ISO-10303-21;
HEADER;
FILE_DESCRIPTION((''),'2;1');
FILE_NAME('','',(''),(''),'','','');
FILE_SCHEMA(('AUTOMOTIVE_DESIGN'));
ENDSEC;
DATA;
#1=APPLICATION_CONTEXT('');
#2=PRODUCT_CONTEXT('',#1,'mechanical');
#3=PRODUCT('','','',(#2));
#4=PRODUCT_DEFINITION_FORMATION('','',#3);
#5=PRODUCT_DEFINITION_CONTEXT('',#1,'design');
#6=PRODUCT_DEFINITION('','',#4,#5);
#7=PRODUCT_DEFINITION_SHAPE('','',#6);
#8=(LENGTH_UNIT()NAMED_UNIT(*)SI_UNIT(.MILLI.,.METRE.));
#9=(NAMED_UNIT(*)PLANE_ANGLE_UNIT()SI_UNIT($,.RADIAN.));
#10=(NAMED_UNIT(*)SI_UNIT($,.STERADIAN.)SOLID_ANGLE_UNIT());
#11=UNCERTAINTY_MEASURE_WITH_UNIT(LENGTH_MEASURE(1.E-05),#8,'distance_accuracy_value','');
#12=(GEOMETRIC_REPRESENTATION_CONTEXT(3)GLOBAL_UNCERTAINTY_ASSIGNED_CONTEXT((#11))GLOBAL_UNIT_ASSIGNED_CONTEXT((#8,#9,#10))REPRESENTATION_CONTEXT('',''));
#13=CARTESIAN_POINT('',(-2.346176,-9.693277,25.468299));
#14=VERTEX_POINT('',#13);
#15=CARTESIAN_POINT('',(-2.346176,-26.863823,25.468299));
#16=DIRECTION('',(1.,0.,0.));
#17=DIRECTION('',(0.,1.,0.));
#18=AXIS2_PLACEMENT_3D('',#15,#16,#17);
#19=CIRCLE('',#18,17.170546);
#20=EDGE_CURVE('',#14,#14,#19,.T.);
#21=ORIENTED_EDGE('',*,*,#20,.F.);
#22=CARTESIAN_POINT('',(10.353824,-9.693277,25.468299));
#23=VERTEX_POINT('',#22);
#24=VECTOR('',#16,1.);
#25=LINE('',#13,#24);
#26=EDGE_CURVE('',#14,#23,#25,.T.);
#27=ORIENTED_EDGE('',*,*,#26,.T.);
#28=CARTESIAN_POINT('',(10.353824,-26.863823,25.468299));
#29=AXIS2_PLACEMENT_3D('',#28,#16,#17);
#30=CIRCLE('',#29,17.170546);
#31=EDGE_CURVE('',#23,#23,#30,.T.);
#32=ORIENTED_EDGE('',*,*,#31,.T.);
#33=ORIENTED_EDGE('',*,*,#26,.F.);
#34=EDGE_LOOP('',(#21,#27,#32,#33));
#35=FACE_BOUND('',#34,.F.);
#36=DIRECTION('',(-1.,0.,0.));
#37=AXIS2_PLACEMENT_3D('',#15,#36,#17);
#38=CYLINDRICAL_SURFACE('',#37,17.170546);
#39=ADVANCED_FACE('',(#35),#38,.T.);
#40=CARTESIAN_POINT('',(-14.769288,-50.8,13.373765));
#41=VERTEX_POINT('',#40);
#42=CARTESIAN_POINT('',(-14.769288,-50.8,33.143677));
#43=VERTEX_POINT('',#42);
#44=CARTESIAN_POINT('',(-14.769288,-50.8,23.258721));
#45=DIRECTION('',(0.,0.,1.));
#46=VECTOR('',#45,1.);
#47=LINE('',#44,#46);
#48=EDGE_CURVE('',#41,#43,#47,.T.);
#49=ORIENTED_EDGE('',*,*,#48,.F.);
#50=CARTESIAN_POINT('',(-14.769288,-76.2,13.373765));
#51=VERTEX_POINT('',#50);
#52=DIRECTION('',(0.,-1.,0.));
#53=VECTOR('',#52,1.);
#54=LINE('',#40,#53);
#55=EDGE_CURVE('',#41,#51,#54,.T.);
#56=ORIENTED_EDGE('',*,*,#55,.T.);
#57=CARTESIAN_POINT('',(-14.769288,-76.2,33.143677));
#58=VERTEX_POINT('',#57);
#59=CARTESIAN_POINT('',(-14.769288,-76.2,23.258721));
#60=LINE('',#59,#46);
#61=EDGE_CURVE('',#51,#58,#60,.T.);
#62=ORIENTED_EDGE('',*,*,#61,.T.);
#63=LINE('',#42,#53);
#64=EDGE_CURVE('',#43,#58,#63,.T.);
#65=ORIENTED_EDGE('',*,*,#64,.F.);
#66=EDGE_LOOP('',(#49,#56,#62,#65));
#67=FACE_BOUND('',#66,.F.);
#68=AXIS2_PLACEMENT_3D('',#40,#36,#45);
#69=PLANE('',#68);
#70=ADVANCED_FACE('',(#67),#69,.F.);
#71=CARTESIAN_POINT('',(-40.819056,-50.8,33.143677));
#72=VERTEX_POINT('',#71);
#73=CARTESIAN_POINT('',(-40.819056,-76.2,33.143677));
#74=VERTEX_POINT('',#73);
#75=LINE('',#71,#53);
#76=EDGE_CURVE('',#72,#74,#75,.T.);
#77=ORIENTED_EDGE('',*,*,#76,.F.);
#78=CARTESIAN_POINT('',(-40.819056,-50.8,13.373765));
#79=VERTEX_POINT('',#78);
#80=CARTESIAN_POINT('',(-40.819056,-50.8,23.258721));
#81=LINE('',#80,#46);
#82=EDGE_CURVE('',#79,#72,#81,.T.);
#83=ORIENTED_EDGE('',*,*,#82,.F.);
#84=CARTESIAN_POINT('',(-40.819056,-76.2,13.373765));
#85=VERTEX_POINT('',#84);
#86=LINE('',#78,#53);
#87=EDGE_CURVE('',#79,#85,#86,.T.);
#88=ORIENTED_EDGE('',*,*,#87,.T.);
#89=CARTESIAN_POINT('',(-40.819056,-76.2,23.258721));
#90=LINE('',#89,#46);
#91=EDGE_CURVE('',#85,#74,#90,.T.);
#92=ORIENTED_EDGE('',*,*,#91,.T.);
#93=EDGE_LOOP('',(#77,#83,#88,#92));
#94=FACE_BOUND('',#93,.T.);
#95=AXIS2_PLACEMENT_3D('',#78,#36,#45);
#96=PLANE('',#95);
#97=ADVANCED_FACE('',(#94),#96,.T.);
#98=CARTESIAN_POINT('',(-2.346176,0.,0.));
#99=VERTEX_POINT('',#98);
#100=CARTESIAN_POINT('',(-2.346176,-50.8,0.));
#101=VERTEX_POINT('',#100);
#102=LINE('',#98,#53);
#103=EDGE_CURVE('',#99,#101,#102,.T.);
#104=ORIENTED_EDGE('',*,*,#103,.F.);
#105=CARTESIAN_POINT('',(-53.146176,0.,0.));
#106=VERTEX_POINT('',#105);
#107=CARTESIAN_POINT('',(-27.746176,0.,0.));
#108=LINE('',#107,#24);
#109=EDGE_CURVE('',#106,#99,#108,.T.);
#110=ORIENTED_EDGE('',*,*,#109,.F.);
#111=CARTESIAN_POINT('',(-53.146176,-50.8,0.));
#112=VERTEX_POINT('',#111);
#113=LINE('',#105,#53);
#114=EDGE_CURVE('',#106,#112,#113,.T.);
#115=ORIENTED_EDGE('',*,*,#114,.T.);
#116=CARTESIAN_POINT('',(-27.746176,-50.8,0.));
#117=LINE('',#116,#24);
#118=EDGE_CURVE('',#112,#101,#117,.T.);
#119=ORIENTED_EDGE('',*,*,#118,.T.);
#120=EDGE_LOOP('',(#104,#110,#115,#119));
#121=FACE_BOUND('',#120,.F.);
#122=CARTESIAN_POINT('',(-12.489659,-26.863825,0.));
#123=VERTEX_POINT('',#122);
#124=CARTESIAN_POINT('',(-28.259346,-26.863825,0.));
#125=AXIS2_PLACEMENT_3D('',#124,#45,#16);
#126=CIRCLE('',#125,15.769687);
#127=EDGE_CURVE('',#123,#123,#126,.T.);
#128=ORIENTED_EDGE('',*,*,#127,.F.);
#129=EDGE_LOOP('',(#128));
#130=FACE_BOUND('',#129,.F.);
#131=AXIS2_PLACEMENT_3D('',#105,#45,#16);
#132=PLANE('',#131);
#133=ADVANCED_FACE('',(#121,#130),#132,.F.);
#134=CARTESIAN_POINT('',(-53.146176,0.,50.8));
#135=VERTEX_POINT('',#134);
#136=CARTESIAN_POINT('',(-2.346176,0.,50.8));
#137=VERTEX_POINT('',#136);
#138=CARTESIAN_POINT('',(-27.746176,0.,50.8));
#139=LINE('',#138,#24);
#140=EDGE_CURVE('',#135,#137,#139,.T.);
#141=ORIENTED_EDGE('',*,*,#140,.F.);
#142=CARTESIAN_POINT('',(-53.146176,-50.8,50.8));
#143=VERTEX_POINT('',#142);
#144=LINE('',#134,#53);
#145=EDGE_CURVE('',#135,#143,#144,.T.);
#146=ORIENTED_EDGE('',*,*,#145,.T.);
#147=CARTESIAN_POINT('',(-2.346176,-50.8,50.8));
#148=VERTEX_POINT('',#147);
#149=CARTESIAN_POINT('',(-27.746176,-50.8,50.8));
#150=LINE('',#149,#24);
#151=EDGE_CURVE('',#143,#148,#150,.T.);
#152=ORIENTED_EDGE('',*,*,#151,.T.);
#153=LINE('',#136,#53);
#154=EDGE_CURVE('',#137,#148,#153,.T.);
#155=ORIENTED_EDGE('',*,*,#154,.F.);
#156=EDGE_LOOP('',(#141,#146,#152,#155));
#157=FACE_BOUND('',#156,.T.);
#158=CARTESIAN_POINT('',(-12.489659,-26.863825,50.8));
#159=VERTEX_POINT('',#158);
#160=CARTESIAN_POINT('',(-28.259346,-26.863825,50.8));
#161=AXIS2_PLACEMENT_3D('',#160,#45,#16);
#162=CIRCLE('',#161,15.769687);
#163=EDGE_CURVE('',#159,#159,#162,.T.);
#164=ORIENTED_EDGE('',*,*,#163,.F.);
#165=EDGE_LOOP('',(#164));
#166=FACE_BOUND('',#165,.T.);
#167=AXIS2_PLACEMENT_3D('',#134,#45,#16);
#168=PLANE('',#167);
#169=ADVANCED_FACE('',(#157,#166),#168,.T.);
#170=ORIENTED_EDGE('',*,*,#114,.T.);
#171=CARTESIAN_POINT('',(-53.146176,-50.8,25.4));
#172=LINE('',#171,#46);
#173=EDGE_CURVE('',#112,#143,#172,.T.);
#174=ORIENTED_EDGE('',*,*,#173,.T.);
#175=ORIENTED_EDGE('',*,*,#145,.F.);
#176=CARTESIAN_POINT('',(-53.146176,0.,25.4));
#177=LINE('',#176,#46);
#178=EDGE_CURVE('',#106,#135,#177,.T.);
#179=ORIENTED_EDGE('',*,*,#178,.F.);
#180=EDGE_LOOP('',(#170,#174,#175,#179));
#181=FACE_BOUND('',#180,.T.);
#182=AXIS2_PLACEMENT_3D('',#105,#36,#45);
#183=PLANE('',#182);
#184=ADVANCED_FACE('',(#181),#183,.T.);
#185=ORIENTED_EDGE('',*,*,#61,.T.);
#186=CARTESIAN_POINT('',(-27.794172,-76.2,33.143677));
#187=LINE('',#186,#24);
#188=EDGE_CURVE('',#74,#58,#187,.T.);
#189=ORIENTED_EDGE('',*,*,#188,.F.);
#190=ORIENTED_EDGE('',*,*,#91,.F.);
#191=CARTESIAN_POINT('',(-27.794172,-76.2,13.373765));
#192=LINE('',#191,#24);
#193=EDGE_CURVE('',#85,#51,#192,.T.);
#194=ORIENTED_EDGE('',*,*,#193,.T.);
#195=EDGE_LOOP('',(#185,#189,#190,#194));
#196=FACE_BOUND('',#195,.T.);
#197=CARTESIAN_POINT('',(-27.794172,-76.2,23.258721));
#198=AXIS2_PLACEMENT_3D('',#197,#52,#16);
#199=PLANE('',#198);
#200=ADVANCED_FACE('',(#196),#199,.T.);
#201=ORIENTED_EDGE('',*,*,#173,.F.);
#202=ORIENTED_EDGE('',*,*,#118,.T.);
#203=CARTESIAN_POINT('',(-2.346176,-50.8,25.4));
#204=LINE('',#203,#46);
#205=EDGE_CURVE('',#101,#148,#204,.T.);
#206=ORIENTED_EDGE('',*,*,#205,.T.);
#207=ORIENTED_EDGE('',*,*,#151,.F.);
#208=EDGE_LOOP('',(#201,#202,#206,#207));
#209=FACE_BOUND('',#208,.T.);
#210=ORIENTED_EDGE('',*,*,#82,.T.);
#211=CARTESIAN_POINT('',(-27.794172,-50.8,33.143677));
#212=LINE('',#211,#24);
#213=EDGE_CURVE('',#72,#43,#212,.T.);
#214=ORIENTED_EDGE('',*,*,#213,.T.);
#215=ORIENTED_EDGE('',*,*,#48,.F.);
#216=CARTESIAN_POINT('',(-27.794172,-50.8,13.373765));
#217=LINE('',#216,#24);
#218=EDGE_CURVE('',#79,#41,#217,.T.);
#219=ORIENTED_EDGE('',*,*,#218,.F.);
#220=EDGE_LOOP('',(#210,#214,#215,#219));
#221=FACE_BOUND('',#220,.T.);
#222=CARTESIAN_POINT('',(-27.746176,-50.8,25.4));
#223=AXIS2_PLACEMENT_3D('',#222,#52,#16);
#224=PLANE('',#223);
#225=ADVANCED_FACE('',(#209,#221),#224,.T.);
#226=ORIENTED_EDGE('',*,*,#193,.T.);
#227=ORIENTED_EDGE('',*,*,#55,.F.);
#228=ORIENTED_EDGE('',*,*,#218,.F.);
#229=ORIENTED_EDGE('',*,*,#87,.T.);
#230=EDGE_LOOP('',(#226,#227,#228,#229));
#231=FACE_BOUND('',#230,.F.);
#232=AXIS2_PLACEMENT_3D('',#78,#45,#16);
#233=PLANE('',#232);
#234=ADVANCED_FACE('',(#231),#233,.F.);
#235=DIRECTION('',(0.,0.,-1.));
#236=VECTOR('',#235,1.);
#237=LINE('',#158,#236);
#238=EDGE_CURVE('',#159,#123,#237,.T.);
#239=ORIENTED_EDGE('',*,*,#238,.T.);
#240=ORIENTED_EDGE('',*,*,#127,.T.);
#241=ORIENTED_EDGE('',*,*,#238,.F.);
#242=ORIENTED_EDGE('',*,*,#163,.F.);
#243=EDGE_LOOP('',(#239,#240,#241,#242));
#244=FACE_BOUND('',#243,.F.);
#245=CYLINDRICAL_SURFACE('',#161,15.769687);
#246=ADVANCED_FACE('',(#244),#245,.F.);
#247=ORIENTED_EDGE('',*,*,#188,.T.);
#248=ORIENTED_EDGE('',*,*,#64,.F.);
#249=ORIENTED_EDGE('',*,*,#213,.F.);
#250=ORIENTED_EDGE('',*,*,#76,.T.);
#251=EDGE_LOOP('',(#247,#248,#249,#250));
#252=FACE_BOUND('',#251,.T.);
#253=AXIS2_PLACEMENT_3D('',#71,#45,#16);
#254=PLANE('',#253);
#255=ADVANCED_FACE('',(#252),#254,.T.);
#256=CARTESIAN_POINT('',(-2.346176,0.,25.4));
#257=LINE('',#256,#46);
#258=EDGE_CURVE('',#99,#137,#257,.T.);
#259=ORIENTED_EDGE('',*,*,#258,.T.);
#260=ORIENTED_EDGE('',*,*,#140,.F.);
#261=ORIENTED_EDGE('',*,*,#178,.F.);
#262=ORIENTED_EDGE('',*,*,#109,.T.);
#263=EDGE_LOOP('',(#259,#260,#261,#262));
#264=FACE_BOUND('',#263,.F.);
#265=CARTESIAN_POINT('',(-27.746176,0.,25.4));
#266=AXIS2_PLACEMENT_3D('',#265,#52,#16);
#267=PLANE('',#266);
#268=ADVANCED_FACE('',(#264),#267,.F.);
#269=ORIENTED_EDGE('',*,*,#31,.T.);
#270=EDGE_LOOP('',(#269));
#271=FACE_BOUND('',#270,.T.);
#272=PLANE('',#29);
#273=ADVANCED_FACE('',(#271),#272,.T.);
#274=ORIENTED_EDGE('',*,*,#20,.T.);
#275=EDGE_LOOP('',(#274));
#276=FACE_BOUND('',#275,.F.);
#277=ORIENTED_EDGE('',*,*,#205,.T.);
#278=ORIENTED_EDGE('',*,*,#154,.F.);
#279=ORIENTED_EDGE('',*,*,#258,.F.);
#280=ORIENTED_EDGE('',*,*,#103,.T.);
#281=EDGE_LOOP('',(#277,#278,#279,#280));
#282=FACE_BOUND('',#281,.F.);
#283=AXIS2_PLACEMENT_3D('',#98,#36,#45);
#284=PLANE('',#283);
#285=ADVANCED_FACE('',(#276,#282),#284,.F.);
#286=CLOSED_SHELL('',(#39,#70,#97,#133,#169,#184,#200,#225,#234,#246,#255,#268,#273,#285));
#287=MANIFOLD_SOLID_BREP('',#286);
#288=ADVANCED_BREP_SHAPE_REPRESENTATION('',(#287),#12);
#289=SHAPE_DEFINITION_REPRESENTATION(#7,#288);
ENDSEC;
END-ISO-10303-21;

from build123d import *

# Parameters (mm, degrees)
F0_W     = 50.8
F0_H     = 50.8
F1_DEPTH = 50.8
F2_W     = 26.049768
F2_H     = 19.769912
F3_DEPTH = 25.4
F4_R     = 15.769687
F5_DEPTH = 50.8
F6_R     = 17.170546
F7_DEPTH = 12.7


with BuildPart() as f1:
    # F0 (on Front) → F1 (new body)
    with BuildSketch(Plane.XZ):
        with Locations((-27.746176, 25.4)):
            Rectangle(F0_W, F0_H)
    extrude(amount=F1_DEPTH)

    # F2 (on face) → F3 (join)
    with BuildSketch(Plane.XZ.offset(50.8)):
        with Locations((-27.794172, 23.258721)):
            Rectangle(F2_W, F2_H)
    extrude(amount=F3_DEPTH)

    # F4 (on face) → F5 (cut)
    with BuildSketch(Plane.XY.offset(50.8)):
        with Locations((-28.259346, -26.863825)):
            Circle(F4_R)
    extrude(amount=-F5_DEPTH, mode=Mode.SUBTRACT)

    # F6 (on face) → F7 (join)
    with BuildSketch(Plane.YZ.offset(-2.346176)):
        with Locations((-26.863823, 25.468299)):
            Circle(F6_R)
    extrude(amount=F7_DEPTH)


solid = f1.part
